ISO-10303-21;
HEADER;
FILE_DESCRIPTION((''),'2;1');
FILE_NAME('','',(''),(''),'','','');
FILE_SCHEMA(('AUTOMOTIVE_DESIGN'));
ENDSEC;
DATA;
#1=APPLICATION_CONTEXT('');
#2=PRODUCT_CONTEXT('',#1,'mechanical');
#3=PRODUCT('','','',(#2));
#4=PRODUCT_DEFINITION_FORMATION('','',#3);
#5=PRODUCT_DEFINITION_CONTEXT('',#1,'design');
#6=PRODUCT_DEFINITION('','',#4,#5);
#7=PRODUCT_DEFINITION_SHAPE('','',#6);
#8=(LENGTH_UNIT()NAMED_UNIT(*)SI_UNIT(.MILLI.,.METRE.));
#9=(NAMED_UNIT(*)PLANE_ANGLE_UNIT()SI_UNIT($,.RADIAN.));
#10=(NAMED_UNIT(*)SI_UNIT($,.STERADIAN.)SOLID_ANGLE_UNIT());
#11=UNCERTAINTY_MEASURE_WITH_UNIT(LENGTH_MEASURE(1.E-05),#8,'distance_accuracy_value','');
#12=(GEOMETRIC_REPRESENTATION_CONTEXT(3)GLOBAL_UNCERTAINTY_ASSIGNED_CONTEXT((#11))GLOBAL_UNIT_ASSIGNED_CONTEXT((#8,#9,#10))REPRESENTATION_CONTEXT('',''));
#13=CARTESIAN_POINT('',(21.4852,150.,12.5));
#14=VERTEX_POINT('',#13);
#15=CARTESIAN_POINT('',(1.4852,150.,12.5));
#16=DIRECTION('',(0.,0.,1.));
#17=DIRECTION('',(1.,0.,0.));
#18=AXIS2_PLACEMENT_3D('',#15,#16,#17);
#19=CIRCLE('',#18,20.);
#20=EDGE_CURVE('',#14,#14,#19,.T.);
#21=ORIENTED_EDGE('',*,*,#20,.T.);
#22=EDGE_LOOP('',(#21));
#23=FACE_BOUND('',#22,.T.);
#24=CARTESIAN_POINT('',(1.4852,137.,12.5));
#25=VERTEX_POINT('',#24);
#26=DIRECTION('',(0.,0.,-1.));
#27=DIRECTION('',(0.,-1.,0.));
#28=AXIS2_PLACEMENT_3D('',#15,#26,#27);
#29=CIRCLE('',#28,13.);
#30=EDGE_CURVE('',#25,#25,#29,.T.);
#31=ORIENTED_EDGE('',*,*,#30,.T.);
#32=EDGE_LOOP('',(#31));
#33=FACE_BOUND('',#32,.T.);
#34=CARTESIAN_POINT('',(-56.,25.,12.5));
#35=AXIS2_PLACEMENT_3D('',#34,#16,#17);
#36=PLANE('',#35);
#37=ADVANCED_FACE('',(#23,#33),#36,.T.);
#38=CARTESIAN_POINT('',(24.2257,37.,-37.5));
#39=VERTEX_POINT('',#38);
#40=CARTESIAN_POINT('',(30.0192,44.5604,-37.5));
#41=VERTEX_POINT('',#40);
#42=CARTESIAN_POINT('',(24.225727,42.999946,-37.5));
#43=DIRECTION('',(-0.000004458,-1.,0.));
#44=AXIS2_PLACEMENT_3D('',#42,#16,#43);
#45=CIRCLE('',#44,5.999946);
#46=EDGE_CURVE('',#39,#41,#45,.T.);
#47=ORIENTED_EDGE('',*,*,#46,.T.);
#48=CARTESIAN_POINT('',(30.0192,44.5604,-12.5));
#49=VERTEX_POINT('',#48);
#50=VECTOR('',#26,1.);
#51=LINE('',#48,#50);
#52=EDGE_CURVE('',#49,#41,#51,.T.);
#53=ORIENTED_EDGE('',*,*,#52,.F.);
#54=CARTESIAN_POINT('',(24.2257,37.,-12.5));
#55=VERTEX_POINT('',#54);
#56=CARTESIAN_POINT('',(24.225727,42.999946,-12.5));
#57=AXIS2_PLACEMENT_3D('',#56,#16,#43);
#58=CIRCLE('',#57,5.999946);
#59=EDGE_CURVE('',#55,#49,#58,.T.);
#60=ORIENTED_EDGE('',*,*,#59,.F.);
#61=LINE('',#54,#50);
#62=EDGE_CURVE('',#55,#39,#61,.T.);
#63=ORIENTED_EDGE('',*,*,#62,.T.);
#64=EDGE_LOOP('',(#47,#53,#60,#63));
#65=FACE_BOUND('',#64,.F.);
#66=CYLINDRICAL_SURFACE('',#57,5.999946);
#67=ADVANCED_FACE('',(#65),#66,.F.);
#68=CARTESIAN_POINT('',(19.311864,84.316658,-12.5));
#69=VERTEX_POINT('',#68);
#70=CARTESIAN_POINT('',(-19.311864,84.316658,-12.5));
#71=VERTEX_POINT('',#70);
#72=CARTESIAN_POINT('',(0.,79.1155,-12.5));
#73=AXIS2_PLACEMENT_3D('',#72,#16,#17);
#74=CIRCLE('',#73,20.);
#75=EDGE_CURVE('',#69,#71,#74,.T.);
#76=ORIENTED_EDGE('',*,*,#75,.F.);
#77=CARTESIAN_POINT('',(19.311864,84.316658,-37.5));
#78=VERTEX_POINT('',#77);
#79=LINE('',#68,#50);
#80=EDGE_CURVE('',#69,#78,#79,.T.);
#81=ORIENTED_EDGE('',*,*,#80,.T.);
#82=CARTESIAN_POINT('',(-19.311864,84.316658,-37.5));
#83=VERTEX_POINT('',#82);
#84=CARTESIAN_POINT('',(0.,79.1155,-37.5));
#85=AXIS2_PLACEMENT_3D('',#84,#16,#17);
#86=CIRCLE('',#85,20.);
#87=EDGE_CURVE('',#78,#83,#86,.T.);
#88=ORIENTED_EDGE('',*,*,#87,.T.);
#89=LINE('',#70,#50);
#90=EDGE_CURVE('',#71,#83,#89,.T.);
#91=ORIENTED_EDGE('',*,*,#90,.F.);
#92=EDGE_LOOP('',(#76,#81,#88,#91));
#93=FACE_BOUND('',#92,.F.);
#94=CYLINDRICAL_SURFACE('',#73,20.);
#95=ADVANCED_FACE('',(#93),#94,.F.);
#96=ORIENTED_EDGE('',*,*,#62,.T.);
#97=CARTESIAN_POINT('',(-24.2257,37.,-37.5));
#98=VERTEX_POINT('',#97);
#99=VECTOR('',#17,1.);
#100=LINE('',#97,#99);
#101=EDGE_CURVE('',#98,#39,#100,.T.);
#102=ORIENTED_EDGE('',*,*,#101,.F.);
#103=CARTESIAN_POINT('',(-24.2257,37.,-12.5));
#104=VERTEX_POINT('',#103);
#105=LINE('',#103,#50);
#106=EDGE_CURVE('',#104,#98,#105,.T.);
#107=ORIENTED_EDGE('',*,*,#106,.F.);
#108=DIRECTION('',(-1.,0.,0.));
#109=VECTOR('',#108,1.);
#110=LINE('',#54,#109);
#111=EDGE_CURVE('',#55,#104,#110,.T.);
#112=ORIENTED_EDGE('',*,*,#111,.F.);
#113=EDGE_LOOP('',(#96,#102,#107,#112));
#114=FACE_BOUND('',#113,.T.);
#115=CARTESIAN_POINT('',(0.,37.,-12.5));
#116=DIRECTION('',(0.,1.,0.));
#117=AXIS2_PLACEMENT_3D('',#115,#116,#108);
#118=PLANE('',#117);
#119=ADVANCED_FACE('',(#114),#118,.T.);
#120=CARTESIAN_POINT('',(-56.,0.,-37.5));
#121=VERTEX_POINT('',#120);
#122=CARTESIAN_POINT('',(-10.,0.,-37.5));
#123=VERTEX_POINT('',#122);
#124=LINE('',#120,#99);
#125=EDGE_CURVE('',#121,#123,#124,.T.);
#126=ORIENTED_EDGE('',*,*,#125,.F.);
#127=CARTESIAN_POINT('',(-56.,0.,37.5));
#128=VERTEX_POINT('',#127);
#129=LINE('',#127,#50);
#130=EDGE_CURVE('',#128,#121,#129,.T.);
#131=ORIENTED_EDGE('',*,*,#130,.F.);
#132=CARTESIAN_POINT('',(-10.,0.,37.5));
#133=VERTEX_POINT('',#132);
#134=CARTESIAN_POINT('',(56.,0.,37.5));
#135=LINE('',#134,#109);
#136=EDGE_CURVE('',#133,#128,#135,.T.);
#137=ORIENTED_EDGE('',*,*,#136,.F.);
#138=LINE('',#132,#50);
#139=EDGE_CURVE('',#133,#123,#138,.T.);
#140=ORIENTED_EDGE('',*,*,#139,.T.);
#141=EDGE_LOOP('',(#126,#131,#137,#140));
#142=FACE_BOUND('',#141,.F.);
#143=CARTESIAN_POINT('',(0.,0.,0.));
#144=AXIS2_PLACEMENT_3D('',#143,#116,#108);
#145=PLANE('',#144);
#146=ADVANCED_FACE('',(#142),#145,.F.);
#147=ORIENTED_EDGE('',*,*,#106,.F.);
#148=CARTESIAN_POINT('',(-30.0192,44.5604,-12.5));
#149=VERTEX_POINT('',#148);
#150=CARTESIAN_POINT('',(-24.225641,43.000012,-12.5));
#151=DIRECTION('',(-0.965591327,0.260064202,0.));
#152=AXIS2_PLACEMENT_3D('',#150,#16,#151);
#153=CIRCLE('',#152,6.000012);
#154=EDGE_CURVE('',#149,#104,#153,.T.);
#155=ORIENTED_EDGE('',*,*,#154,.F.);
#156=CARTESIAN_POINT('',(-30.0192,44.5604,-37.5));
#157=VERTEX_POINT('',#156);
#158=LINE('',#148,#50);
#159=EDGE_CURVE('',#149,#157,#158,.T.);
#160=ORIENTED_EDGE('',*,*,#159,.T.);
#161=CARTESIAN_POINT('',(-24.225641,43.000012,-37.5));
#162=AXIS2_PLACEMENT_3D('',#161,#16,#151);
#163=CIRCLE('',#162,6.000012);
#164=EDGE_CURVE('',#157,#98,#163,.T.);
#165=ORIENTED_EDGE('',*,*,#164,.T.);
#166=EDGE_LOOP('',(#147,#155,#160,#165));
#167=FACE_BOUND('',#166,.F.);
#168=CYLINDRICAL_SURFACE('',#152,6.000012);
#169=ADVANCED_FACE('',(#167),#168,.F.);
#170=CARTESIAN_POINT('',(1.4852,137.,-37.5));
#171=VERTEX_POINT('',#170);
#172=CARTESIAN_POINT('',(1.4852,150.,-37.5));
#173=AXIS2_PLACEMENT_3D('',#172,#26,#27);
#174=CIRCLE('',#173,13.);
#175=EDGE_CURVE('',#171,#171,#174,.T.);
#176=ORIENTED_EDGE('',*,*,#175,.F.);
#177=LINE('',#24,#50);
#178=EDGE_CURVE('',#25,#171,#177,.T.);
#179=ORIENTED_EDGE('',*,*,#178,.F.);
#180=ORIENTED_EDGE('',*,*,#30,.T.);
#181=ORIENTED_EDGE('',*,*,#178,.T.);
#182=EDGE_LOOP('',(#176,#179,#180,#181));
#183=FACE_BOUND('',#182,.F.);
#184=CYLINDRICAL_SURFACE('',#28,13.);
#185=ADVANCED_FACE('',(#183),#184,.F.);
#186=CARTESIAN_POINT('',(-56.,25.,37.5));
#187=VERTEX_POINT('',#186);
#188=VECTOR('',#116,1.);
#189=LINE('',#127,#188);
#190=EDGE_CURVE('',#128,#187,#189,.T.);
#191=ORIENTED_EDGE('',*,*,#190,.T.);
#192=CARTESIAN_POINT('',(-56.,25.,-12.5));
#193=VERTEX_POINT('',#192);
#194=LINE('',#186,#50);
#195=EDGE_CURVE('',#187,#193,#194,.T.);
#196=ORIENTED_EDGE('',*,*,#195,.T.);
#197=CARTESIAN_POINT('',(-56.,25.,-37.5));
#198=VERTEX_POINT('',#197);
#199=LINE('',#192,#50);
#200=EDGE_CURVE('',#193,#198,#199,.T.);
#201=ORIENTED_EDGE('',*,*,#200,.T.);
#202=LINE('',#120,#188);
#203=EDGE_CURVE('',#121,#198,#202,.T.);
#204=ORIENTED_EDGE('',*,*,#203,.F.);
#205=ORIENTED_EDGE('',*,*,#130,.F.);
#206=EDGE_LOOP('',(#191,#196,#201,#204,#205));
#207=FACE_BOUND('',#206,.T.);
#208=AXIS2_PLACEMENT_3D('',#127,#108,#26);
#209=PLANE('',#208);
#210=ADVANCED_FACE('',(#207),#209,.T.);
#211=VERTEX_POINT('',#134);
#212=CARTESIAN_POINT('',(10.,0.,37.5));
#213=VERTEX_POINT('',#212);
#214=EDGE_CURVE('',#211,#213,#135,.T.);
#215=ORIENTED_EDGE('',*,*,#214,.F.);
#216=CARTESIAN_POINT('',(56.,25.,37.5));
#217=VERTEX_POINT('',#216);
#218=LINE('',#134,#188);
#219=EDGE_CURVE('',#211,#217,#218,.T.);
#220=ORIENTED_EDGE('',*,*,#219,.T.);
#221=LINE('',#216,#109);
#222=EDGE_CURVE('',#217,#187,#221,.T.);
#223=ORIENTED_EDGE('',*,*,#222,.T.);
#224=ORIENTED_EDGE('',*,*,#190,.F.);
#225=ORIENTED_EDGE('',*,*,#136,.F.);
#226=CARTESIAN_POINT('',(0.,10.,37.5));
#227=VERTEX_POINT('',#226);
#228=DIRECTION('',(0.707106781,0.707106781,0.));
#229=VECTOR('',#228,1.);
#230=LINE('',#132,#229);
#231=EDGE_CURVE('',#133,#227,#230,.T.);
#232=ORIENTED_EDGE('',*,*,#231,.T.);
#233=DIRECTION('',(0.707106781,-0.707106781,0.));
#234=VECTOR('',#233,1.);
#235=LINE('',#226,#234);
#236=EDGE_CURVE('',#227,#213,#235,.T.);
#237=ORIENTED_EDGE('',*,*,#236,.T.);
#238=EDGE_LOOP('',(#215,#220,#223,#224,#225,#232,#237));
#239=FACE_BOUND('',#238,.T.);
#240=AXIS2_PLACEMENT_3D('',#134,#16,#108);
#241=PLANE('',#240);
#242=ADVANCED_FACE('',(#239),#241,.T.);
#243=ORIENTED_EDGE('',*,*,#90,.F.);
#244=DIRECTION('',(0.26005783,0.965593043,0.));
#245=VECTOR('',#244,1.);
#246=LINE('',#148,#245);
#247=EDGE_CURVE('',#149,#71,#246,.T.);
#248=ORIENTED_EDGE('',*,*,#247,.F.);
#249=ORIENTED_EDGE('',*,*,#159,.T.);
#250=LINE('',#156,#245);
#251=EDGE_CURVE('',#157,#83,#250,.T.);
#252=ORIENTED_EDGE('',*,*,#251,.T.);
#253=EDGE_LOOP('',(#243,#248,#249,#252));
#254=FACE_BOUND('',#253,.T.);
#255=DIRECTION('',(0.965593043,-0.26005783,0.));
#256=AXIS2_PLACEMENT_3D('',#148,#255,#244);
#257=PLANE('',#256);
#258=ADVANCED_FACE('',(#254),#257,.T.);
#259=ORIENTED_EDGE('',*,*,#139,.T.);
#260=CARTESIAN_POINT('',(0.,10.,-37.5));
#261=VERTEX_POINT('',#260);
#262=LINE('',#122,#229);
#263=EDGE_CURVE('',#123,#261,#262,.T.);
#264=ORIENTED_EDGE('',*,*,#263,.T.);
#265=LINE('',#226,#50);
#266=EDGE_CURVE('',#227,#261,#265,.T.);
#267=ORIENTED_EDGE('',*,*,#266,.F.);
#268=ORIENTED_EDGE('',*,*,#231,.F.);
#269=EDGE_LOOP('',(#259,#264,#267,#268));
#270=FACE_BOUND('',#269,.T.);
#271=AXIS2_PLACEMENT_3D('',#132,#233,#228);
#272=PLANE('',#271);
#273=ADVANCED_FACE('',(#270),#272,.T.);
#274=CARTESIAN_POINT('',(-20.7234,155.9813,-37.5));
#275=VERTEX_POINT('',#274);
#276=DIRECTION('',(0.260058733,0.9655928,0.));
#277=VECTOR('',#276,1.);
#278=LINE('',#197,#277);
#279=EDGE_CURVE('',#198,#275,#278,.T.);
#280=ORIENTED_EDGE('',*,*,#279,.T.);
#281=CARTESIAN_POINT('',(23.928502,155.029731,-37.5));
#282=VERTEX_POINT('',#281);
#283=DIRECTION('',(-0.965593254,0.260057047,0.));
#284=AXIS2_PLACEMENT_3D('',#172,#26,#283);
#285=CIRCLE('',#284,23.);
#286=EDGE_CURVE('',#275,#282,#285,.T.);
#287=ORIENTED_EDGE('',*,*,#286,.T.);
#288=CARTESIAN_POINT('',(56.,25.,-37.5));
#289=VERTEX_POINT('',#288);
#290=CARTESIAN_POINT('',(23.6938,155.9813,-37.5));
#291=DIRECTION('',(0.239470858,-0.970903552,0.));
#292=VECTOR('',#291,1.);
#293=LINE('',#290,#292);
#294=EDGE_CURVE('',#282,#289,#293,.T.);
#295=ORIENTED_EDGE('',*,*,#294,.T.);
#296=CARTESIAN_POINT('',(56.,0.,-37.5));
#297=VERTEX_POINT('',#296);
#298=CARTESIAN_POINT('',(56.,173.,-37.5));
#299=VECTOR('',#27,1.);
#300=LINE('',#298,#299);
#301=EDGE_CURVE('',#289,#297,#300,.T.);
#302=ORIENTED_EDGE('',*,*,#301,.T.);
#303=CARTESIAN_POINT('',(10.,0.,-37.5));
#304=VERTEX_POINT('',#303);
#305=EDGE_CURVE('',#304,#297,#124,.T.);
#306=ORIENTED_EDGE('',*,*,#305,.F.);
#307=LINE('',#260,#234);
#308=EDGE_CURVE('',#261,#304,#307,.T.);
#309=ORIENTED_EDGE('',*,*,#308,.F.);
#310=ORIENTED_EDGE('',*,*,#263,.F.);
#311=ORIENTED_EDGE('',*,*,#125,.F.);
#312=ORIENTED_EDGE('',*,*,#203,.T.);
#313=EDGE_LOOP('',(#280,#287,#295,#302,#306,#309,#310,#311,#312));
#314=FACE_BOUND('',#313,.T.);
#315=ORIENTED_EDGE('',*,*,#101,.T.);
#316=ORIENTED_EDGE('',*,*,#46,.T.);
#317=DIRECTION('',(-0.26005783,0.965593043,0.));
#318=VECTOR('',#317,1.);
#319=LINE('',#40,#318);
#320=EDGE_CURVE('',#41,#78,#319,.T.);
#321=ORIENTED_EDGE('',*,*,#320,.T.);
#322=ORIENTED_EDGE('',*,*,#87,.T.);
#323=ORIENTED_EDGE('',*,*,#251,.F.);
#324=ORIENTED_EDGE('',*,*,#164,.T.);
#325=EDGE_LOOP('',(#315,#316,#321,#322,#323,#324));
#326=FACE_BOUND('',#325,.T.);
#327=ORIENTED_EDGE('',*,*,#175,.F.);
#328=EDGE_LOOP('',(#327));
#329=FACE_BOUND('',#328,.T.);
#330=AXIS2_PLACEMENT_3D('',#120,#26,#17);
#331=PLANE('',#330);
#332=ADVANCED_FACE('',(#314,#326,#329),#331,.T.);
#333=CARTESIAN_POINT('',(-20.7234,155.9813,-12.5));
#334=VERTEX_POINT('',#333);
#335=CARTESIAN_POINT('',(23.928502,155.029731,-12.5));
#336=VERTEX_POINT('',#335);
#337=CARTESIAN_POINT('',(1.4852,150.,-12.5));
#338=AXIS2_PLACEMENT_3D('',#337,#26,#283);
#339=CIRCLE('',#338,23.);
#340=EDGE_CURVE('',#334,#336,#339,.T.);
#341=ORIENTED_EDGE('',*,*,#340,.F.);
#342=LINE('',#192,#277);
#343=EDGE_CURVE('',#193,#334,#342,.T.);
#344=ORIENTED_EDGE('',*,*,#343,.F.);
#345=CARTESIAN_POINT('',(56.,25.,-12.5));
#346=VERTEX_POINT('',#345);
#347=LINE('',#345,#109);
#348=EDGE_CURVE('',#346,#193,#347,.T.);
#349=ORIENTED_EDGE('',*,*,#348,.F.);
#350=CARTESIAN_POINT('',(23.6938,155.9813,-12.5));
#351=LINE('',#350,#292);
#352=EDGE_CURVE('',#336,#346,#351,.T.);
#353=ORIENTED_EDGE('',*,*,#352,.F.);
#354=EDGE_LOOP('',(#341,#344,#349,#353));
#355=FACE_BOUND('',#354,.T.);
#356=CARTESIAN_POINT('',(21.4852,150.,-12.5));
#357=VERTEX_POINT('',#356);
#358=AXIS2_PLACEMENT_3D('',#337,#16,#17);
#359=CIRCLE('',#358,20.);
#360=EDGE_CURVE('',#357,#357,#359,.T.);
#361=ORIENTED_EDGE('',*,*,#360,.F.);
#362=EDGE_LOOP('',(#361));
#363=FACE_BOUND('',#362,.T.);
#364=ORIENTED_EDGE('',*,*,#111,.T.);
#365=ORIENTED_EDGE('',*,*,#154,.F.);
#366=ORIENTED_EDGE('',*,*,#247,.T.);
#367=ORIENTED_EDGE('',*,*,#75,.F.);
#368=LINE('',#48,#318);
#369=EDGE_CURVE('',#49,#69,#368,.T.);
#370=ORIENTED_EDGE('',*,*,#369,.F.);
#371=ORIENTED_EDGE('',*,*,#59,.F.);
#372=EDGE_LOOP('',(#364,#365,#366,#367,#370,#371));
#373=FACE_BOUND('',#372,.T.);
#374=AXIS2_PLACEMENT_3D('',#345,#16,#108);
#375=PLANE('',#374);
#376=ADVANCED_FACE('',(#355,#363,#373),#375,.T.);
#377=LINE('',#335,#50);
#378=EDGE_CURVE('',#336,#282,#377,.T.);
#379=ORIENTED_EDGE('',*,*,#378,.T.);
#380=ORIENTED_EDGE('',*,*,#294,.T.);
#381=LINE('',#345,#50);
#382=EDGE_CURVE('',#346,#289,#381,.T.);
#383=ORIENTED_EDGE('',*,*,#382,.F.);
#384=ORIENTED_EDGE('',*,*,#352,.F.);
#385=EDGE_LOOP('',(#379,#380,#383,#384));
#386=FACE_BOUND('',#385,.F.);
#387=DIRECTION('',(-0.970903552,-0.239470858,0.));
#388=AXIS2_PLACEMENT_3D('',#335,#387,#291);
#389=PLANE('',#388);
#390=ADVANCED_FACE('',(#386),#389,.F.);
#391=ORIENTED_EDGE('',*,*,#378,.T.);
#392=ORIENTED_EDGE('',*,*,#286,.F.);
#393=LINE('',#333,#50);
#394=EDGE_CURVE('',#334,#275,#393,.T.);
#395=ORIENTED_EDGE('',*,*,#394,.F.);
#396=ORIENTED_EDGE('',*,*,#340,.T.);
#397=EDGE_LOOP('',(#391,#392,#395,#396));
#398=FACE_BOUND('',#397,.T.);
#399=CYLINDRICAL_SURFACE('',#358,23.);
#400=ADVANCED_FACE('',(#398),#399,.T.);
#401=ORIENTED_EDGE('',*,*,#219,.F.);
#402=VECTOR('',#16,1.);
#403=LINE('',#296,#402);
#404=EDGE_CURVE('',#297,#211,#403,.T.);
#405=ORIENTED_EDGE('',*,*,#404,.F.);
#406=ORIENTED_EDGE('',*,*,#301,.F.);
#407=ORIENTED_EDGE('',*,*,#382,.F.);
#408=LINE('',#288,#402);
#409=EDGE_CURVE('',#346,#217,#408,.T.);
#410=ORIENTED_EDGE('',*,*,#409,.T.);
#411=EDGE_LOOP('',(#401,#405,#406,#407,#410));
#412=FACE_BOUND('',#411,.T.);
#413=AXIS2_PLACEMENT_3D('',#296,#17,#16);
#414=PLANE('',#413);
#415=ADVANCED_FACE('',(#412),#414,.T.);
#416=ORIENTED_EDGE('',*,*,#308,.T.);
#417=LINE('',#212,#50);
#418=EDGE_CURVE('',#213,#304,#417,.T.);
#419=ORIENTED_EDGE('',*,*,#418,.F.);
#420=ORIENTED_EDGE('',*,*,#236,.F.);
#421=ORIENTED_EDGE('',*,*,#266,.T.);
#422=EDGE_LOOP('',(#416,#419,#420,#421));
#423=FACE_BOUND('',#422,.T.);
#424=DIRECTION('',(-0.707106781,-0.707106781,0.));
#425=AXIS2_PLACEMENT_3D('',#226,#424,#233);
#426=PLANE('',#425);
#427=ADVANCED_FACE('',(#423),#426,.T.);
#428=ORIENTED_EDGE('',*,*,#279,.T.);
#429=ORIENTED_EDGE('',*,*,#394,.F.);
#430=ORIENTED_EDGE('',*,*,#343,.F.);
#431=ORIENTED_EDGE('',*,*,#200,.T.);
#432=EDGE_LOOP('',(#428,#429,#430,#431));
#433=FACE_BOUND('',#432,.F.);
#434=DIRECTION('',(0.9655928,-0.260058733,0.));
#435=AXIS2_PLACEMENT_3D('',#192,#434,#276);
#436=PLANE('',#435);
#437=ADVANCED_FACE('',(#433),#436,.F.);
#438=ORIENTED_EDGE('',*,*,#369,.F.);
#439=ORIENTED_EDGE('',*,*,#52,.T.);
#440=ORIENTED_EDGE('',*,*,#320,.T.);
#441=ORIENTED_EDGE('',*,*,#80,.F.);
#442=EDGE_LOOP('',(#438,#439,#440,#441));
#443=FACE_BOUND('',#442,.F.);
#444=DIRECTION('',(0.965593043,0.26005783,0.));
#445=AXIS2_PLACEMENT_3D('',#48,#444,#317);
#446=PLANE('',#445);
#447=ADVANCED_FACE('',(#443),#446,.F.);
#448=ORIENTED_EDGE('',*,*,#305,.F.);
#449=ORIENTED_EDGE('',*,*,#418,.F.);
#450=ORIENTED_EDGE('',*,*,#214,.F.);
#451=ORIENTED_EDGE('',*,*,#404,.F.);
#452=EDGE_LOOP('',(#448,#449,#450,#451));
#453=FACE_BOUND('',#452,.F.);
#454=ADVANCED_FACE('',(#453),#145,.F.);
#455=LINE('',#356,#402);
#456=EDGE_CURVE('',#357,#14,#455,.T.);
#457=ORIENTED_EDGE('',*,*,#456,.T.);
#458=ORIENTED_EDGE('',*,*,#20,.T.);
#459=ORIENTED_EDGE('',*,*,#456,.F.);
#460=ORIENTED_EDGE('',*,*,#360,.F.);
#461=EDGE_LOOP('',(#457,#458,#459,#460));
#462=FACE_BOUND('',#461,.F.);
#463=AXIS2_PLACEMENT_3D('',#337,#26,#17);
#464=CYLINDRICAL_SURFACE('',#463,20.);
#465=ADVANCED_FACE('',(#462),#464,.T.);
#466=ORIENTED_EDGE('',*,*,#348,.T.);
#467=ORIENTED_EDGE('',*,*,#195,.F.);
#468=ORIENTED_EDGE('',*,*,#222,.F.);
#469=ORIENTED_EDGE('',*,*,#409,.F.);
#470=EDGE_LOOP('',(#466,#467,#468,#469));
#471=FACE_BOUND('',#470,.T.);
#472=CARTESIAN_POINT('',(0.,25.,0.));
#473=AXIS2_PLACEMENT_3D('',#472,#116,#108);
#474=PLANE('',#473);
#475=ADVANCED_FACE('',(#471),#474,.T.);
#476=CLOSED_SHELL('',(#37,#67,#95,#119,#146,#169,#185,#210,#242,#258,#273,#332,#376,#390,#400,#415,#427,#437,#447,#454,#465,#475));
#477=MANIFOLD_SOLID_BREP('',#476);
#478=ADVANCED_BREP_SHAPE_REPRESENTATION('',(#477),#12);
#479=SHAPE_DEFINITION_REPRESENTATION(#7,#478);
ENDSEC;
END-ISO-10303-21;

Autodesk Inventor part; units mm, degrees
ref_plane "YZ Plane" through (0, 0, 0) normal (1, 0, 0) x (0, 1, 0)
ref_plane "XZ Plane" through (0, 0, 0) normal (0, 1, 0) x (-1, 0, 0)
ref_plane "XY Plane" through (0, 0, 0) normal (0, 0, 1) x (1, 0, 0)
sketch "Szkic1" plane through (0, 0, 0) normal (0, 1, 0) x (-1, 0, 0)
  line L0 (56, -37.5) -> (-56, -37.5)
  line L1 (-56, -37.5) -> (-56, 37.5)
  line L2 (-56, 37.5) -> (56, 37.5)
  line L3 (56, 37.5) -> (56, -37.5)
  line L4 (56, -37.5) -> (-56, 37.5) construction
  line L5 (-56, -37.5) -> (56, 37.5) construction
  point P0 (0, 0)
  dimension "d0" = 112
  dimension "d1" = 75
extrude "Wyciągnięcie proste1" add sketch "Szkic1" along normal blind 25
sketch "Szkic2" plane through (0, 25, 0) normal (0, 1, 0) x (1, 0, 0)
  line L0 (56, 37.5) -> (-56, 37.5) projected
  line L1 (56, -37.5) -> (56, 37.5) projected
  line L2 (-56, 37.5) -> (56, 37.5)
  line L3 (56, 37.5) -> (56, 12.5)
  line L4 (56, 12.5) -> (-56, 12.5)
  line L5 (-56, 12.5) -> (-56, 37.5)
  point P0 (0, 0)
  dimension "d4" = 25
extrude "Wyciągnięcie proste2" add sketch "Szkic2" along normal blind 148
sketch "Szkic3" plane through (-56, 25, -12.5) normal (0, 0, 1) x (1, 0, 0)
  circle A0 centre (57.4852, 125) radius 23
  line L0 (0, 0) -> (112, 0) projected
  line L1 (112, -25) -> (112, 148) projected
  line L2 (0, -25) -> (0, 148) projected
  line L3 (0, 0) -> (0, 148)
  line L4 (0, 148) -> (112, 148) projected
  line L5 (0, 148) -> (112, 148)
  line L6 (112, 148) -> (112, 0)
  line L7 (0, 0) -> (35.2766, 130.9813)
  line L8 (79.6938, 130.9813) -> (112, 0)
  point P0 (56, -25)
  point P1 (79.928, 130.0318)
  point P2 (57.4852, 148)
  dimension "d8" = 46
extrude "Wyciągnięcie proste3" cut sketch "Szkic3" against normal blind 25 contours L7 L2 L4 A0 | L4 L1 L8 A0
sketch "Szkic4" plane through (-56, 25, -12.5) normal (0, 0, 1) x (1, 0, 0)
  arc A0 (79.928, 130.0318) -> (35.2766, 130.9813) centre (57.4852, 125) ccw projected
  circle A1 centre (57.4852, 125) radius 20
  point P0 (56, -25)
  dimension "d11" = 40
extrude "Wyciągnięcie proste4" add sketch "Szkic4" along normal blind 25
sketch "Szkic5" plane through (-56, 25, -12.5) normal (0, 0, 1) x (1, 0, 0)
  line L0 (56, 12) -> (31.7743, 12)
  line L1 (25.9808, 19.5604) -> (42.2104, 79.8208)
  line L2 (0, 0) -> (112, 0) projected
  line L3 (35.2766, 130.9813) -> (0, 0) projected
  arc A0 (25.9808, 19.5604) -> (31.7743, 12) centre (31.7743, 18) ccw
  circle A1 centre (57.4852, 125) radius 20 projected
  line L4 (56, 12) -> (80.2257, 12)
  line L5 (86.0192, 19.5604) -> (69.7896, 79.8208)
  arc A2 (80.2257, 12) -> (86.0192, 19.5604) centre (80.2257, 18) ccw
  circle A3 centre (56, 54.1155) radius 20
  point P0 (56, -25)
  point P1 (75.3119, 59.3167)
  point P2 (36.6881, 59.3167)
  dimension "d14" = 12
  dimension "d15" = 20
  dimension "d16" = 6
  dimension "d17" = 40
extrude "Wyciągnięcie proste5" cut sketch "Szkic5" against normal blind 25 contours L0 A0 L1 A3 L5 A2 L4 | A3
sketch "Szkic6" plane through (1.4852, 150, 12.5) normal (0, 0, 1) x (1, 0, 0)
  point P0 (-1.4852, -150)
  point P1 (0, 0)
hole "Otwór1" at (1.4852, 150, 12.5) direction (0, 0, -1) diameter 26 end through all
sketch "Szkic7" plane through (0, 0, 0) normal (0, -1, 0) x (1, 0, 0)
  point P0 (0, 0)
sketch "Szkic8" plane through (-56, 0, 37.5) normal (0, 0, 1) x (1, 0, 0)
  line L0 (112, 0) -> (0, 0) projected
  line L1 (46, 0) -> (66, 0)
  line L2 (0, 0) -> (112, 0) projected
  line L3 (46, 0) -> (56, 10)
  line L4 (46, 0) -> (60.1421, 0) construction
  line L5 (56, 10) -> (66, 0)
  point P0 (56, 0)
  dimension "d27" = 20
  dimension "d28" = 45
extrude "Wyciągnięcie proste6" cut sketch "Szkic8" against normal blind 75
